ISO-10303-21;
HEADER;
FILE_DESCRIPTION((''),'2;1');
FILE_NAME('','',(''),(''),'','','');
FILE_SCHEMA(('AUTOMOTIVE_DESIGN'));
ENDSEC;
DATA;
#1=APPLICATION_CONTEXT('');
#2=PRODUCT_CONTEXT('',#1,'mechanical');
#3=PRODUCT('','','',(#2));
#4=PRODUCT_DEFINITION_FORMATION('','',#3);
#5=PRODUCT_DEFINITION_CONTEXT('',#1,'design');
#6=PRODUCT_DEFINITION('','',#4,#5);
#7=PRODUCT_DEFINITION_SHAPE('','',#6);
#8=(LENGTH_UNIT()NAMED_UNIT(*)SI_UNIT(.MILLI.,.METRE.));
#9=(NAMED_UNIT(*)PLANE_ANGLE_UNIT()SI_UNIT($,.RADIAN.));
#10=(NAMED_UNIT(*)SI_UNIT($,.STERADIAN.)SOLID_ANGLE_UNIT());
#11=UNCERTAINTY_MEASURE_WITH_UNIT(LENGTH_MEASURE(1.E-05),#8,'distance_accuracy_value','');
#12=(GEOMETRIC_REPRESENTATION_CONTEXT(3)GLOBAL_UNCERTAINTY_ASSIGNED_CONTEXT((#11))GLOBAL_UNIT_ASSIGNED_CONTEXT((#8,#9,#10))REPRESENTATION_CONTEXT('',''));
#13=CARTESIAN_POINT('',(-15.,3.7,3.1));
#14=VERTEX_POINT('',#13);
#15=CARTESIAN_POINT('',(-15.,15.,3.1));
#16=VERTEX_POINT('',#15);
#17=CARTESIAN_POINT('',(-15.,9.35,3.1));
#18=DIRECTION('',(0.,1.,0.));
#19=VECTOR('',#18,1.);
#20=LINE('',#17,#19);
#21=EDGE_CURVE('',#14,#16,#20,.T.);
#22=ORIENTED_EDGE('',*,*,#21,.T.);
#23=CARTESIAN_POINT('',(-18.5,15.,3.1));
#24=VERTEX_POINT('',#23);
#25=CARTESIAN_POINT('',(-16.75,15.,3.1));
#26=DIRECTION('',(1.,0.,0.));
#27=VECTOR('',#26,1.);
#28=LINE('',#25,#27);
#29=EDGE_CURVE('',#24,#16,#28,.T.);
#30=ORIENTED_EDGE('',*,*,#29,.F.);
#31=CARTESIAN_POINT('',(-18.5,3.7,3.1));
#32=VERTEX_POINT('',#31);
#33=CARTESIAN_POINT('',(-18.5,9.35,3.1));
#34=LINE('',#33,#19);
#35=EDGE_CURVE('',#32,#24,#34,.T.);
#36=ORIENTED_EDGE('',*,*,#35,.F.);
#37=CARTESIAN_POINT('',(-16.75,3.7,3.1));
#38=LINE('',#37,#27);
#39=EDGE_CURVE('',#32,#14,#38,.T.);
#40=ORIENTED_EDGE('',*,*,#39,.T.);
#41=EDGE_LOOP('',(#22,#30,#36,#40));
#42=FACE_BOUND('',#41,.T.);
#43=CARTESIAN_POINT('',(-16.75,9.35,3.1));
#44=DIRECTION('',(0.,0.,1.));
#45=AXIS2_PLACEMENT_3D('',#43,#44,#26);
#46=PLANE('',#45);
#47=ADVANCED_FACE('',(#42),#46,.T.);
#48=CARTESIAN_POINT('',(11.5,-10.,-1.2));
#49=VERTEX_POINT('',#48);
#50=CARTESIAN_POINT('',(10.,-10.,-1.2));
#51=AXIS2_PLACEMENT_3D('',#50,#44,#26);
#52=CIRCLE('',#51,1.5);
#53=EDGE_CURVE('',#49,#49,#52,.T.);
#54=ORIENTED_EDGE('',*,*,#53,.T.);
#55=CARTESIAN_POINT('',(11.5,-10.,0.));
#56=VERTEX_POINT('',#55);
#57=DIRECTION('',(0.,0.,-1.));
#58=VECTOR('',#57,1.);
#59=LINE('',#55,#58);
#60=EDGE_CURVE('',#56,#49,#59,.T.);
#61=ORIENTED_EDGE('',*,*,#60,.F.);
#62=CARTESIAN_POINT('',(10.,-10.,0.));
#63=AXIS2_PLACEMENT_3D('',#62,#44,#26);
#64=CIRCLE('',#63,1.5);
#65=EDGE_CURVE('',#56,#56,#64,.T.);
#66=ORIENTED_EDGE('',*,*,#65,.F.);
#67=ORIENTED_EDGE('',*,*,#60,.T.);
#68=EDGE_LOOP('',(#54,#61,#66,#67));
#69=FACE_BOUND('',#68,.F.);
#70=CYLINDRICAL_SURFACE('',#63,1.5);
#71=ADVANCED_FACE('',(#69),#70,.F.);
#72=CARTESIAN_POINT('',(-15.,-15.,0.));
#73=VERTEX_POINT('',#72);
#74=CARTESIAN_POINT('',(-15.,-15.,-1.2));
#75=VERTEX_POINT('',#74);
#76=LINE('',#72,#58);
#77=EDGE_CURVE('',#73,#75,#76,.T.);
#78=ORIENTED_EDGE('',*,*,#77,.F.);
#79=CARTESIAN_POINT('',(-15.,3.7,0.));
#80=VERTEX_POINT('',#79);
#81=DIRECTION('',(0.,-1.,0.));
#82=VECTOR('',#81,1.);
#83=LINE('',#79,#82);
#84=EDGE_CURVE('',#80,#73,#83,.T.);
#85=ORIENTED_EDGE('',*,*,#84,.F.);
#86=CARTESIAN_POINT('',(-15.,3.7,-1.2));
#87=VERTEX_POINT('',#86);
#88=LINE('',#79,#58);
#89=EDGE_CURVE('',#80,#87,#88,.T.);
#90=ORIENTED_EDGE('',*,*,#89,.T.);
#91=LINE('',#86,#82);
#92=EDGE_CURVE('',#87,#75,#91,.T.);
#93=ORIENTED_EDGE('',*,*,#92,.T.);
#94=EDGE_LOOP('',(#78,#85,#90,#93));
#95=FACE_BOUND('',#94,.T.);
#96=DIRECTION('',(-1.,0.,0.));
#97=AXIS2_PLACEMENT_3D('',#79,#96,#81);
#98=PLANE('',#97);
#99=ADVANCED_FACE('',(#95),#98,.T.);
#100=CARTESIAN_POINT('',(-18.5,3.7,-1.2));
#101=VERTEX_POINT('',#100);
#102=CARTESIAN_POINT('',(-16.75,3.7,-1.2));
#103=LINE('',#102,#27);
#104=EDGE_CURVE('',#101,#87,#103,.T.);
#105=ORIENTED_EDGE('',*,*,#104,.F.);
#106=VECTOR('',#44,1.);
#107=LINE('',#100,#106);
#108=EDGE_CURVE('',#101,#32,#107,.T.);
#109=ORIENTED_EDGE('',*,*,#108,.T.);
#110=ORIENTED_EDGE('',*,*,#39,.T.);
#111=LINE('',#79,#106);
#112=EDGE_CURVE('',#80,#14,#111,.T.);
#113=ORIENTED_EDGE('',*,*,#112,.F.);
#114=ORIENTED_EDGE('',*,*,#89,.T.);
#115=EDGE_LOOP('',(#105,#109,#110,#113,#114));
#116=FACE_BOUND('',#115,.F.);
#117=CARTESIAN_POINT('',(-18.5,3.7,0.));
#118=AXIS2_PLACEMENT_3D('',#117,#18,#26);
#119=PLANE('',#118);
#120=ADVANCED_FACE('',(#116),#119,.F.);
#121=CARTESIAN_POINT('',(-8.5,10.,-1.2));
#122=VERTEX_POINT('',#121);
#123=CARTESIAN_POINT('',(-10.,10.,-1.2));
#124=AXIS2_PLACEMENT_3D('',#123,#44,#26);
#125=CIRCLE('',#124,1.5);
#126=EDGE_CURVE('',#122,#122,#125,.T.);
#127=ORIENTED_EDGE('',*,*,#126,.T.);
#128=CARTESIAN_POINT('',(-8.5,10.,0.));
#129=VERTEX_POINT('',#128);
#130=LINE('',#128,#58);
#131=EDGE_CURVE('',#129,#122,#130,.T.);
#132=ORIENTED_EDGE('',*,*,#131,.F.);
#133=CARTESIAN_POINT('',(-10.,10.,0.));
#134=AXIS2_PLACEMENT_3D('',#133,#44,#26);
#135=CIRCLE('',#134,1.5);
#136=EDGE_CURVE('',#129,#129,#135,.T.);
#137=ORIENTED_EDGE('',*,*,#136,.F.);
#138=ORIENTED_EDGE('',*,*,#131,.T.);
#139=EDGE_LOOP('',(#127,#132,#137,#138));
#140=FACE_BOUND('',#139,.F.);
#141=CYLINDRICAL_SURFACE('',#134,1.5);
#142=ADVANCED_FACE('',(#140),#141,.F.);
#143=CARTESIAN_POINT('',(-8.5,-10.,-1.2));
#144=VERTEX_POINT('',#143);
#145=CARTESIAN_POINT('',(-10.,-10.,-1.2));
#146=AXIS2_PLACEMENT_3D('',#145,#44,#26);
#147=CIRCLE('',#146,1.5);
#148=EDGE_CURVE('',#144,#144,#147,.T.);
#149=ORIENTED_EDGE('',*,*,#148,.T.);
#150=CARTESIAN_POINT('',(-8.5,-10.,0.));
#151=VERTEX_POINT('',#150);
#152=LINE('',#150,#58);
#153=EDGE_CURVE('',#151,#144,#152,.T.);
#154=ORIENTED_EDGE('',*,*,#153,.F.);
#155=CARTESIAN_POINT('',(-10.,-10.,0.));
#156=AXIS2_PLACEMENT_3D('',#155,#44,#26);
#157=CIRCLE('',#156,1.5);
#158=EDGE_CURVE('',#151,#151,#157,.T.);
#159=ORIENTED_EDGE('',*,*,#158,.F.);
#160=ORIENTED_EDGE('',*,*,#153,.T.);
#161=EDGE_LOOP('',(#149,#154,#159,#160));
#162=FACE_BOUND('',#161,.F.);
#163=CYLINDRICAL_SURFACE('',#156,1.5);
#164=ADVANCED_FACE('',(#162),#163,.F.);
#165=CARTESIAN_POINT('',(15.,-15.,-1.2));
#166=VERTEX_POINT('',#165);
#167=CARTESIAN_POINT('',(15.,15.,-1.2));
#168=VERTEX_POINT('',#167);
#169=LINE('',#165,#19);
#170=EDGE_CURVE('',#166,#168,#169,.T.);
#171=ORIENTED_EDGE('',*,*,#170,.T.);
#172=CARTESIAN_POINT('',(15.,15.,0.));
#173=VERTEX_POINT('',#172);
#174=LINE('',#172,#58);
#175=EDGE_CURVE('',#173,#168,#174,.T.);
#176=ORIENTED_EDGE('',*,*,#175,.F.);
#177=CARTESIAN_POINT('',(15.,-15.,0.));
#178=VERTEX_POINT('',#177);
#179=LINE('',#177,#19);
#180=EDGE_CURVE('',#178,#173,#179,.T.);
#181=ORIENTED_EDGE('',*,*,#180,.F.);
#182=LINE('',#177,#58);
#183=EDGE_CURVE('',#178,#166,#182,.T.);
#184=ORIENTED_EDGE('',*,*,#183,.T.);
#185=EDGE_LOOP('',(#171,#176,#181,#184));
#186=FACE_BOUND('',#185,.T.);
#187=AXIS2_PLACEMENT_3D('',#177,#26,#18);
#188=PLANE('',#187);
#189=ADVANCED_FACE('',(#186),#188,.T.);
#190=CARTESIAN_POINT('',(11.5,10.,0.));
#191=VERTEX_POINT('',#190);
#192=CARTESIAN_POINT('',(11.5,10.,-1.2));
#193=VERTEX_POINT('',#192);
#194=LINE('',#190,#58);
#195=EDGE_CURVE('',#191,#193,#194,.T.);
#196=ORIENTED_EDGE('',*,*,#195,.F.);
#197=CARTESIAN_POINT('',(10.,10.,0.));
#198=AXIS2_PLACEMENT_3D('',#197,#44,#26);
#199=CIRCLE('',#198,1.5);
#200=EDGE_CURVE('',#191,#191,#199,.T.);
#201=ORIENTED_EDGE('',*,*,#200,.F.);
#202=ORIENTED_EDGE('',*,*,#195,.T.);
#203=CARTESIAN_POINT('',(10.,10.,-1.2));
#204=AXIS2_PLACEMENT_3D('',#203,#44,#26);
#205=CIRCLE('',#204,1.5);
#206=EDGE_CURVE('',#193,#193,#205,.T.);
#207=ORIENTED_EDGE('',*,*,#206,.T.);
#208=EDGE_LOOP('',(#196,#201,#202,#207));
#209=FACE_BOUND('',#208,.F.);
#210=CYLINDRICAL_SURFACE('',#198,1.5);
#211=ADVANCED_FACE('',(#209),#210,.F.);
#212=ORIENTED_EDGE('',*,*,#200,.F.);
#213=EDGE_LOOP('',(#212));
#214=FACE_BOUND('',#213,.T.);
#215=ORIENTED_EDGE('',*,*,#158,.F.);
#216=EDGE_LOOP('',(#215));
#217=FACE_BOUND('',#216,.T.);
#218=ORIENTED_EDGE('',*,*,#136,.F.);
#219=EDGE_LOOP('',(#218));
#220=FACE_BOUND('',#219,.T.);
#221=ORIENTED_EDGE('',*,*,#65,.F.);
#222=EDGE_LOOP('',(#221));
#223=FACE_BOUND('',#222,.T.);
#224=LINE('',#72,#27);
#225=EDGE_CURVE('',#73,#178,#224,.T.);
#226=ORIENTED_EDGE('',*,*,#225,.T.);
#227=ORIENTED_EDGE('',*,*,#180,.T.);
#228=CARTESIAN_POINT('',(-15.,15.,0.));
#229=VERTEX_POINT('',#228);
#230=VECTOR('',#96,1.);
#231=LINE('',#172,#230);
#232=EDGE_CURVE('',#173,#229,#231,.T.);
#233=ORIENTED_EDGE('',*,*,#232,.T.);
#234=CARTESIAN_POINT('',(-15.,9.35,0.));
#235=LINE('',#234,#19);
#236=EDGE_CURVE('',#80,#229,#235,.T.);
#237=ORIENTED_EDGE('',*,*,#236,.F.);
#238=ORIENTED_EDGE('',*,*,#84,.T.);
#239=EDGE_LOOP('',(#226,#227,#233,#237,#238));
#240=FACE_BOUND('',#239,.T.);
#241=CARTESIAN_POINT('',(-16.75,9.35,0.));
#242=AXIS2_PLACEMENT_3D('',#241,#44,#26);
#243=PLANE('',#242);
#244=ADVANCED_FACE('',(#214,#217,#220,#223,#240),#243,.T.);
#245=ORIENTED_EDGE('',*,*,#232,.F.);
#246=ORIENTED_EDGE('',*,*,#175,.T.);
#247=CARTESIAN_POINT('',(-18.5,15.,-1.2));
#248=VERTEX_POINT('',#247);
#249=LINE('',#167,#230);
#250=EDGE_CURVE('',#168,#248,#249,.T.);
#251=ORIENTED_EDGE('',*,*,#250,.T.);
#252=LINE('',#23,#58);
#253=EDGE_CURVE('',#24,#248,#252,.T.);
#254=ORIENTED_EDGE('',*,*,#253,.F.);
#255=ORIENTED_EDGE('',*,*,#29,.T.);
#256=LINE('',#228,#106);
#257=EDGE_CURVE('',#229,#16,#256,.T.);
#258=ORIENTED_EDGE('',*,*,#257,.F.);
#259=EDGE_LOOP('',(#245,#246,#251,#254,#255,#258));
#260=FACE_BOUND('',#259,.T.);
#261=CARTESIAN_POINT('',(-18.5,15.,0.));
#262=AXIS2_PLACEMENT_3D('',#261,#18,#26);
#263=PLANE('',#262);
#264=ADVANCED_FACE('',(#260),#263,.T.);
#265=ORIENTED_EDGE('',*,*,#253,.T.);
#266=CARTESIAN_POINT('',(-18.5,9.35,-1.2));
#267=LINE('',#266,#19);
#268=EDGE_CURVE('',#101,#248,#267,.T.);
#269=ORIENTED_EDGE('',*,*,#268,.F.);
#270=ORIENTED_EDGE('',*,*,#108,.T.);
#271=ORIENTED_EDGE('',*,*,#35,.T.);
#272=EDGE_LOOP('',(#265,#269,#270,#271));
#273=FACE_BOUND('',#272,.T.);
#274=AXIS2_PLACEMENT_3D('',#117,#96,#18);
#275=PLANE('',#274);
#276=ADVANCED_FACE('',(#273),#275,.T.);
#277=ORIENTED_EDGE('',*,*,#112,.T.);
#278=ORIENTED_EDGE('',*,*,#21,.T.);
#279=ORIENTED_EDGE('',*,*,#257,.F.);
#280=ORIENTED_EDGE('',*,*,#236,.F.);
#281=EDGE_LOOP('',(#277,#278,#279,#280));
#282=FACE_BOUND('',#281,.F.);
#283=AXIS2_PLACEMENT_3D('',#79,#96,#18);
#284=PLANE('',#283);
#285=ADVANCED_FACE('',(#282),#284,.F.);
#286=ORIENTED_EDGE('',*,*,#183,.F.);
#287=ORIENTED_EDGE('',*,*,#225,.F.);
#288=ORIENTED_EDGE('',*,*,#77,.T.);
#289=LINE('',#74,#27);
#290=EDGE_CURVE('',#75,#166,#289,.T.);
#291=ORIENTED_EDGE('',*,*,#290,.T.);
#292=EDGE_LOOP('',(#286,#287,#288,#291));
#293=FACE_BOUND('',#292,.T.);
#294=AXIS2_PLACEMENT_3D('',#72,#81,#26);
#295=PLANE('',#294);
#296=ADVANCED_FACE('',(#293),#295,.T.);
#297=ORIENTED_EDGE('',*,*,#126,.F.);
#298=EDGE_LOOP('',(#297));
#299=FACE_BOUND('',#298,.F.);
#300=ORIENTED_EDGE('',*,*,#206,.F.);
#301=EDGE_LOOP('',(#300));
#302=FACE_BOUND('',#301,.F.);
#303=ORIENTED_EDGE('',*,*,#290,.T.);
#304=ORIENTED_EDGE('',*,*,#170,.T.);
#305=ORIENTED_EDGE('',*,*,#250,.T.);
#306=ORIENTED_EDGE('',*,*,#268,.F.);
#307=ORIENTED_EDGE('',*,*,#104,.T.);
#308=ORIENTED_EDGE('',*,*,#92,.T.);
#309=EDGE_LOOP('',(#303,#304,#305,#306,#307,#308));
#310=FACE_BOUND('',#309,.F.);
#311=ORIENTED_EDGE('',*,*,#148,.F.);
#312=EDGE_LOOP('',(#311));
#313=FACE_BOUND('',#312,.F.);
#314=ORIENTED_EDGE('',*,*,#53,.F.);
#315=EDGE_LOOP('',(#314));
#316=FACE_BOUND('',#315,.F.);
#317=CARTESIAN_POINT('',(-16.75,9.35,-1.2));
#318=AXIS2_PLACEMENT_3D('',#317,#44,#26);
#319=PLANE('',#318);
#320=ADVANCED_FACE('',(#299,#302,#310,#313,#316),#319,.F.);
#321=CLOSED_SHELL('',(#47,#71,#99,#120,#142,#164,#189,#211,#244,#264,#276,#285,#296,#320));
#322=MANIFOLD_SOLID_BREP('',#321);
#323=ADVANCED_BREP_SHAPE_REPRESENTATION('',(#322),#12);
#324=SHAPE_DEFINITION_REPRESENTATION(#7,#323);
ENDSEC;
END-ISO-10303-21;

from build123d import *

# Parameters (mm, degrees)
F0_W     = 3.5
F0_H     = 11.3
F0_R     = 1.5
F1_DEPTH = 1.2
F2_DEPTH = 3.1


with BuildPart() as f1:
    # F0 (on Top) → F1 (new body)
    with BuildSketch(Plane.XY):
        with Locations((-16.75, 9.35)):
            Rectangle(F0_W, F0_H)
        Polygon((15, 15), (-15, 15), (-15, 3.7), (-15, -15), (15, -15), align=None)
        with Locations((-10, -10)):
            Circle(F0_R, mode=Mode.SUBTRACT)
        with Locations((10, -10)):
            Circle(F0_R, mode=Mode.SUBTRACT)
        with Locations((-10, 10)):
            Circle(F0_R, mode=Mode.SUBTRACT)
        with Locations((10, 10)):
            Circle(F0_R, mode=Mode.SUBTRACT)
    extrude(amount=-F1_DEPTH)

    # F0 (on Top) → F2 (join)
    with BuildSketch(Plane.XY):
        with Locations((-16.75, 9.35)):
            Rectangle(F0_W, F0_H)
    extrude(amount=F2_DEPTH)


solid = f1.part
